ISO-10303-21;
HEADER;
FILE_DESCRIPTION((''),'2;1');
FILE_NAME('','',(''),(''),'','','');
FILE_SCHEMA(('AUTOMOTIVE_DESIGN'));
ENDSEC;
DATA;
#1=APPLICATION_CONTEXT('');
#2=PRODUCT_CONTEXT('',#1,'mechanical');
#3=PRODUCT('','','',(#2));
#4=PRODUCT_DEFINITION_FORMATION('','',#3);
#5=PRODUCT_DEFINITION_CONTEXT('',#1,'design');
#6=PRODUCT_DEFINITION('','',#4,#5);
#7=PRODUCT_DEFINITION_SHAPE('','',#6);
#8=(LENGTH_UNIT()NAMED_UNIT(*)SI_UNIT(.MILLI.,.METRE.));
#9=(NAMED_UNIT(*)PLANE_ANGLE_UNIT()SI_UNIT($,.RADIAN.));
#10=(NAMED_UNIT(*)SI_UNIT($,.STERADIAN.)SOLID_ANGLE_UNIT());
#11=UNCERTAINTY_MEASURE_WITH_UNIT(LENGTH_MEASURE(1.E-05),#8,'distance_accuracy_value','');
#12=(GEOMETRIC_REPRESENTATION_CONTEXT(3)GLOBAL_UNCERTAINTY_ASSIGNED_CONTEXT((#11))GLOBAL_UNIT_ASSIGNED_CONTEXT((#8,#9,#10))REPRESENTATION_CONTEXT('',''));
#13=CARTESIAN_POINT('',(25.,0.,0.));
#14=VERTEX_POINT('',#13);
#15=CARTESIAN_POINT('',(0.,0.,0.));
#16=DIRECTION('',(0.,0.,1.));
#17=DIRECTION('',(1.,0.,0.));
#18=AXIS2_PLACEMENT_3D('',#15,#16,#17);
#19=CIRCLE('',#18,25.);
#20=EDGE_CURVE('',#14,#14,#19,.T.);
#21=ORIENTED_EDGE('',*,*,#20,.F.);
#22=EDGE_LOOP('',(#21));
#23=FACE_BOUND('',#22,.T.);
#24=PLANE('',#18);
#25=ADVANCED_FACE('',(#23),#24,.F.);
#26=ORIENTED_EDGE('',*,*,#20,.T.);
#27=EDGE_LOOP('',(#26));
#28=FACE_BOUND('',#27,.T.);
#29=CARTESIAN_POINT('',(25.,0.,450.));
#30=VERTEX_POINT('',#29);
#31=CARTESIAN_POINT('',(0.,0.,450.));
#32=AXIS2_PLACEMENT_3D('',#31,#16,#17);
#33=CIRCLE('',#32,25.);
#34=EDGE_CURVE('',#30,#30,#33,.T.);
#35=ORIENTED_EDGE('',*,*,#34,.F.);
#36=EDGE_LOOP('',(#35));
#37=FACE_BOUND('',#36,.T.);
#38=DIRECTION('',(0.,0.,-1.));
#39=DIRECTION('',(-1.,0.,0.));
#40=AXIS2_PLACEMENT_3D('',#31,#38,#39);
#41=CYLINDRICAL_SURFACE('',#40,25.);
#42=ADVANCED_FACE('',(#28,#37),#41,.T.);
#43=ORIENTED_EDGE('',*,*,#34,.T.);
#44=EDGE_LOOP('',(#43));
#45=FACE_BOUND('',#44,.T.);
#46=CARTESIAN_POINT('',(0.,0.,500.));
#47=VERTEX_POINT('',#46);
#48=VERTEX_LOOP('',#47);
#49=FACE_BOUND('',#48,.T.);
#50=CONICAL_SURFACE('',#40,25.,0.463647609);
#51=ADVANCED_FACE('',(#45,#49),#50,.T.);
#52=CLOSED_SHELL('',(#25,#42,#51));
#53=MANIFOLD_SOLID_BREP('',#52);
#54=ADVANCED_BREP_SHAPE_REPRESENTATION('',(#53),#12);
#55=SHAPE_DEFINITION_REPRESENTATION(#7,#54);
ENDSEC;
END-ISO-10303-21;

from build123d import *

# Parameters (mm, degrees)
SKETCH1_R           = 25
BOSS_EXTRUDE1_DEPTH = 450


with BuildPart() as part:
    # Sketch1 → Boss-Extrude1 (new body)
    with BuildSketch(Plane.XY):
        Circle(SKETCH1_R)
    extrude(amount=BOSS_EXTRUDE1_DEPTH)

    # Sketch2 → Revolve1 (revolve)
    with BuildSketch(Plane(origin=(0, 0, 0), x_dir=(1, 0, 0), z_dir=(0, 1, 0))):
        Polygon((0, -450), (-25, -450), (0, -500), align=None)
    revolve(axis=Axis((0, 0, 450), (0, 0, 1)))


solid = part.part
